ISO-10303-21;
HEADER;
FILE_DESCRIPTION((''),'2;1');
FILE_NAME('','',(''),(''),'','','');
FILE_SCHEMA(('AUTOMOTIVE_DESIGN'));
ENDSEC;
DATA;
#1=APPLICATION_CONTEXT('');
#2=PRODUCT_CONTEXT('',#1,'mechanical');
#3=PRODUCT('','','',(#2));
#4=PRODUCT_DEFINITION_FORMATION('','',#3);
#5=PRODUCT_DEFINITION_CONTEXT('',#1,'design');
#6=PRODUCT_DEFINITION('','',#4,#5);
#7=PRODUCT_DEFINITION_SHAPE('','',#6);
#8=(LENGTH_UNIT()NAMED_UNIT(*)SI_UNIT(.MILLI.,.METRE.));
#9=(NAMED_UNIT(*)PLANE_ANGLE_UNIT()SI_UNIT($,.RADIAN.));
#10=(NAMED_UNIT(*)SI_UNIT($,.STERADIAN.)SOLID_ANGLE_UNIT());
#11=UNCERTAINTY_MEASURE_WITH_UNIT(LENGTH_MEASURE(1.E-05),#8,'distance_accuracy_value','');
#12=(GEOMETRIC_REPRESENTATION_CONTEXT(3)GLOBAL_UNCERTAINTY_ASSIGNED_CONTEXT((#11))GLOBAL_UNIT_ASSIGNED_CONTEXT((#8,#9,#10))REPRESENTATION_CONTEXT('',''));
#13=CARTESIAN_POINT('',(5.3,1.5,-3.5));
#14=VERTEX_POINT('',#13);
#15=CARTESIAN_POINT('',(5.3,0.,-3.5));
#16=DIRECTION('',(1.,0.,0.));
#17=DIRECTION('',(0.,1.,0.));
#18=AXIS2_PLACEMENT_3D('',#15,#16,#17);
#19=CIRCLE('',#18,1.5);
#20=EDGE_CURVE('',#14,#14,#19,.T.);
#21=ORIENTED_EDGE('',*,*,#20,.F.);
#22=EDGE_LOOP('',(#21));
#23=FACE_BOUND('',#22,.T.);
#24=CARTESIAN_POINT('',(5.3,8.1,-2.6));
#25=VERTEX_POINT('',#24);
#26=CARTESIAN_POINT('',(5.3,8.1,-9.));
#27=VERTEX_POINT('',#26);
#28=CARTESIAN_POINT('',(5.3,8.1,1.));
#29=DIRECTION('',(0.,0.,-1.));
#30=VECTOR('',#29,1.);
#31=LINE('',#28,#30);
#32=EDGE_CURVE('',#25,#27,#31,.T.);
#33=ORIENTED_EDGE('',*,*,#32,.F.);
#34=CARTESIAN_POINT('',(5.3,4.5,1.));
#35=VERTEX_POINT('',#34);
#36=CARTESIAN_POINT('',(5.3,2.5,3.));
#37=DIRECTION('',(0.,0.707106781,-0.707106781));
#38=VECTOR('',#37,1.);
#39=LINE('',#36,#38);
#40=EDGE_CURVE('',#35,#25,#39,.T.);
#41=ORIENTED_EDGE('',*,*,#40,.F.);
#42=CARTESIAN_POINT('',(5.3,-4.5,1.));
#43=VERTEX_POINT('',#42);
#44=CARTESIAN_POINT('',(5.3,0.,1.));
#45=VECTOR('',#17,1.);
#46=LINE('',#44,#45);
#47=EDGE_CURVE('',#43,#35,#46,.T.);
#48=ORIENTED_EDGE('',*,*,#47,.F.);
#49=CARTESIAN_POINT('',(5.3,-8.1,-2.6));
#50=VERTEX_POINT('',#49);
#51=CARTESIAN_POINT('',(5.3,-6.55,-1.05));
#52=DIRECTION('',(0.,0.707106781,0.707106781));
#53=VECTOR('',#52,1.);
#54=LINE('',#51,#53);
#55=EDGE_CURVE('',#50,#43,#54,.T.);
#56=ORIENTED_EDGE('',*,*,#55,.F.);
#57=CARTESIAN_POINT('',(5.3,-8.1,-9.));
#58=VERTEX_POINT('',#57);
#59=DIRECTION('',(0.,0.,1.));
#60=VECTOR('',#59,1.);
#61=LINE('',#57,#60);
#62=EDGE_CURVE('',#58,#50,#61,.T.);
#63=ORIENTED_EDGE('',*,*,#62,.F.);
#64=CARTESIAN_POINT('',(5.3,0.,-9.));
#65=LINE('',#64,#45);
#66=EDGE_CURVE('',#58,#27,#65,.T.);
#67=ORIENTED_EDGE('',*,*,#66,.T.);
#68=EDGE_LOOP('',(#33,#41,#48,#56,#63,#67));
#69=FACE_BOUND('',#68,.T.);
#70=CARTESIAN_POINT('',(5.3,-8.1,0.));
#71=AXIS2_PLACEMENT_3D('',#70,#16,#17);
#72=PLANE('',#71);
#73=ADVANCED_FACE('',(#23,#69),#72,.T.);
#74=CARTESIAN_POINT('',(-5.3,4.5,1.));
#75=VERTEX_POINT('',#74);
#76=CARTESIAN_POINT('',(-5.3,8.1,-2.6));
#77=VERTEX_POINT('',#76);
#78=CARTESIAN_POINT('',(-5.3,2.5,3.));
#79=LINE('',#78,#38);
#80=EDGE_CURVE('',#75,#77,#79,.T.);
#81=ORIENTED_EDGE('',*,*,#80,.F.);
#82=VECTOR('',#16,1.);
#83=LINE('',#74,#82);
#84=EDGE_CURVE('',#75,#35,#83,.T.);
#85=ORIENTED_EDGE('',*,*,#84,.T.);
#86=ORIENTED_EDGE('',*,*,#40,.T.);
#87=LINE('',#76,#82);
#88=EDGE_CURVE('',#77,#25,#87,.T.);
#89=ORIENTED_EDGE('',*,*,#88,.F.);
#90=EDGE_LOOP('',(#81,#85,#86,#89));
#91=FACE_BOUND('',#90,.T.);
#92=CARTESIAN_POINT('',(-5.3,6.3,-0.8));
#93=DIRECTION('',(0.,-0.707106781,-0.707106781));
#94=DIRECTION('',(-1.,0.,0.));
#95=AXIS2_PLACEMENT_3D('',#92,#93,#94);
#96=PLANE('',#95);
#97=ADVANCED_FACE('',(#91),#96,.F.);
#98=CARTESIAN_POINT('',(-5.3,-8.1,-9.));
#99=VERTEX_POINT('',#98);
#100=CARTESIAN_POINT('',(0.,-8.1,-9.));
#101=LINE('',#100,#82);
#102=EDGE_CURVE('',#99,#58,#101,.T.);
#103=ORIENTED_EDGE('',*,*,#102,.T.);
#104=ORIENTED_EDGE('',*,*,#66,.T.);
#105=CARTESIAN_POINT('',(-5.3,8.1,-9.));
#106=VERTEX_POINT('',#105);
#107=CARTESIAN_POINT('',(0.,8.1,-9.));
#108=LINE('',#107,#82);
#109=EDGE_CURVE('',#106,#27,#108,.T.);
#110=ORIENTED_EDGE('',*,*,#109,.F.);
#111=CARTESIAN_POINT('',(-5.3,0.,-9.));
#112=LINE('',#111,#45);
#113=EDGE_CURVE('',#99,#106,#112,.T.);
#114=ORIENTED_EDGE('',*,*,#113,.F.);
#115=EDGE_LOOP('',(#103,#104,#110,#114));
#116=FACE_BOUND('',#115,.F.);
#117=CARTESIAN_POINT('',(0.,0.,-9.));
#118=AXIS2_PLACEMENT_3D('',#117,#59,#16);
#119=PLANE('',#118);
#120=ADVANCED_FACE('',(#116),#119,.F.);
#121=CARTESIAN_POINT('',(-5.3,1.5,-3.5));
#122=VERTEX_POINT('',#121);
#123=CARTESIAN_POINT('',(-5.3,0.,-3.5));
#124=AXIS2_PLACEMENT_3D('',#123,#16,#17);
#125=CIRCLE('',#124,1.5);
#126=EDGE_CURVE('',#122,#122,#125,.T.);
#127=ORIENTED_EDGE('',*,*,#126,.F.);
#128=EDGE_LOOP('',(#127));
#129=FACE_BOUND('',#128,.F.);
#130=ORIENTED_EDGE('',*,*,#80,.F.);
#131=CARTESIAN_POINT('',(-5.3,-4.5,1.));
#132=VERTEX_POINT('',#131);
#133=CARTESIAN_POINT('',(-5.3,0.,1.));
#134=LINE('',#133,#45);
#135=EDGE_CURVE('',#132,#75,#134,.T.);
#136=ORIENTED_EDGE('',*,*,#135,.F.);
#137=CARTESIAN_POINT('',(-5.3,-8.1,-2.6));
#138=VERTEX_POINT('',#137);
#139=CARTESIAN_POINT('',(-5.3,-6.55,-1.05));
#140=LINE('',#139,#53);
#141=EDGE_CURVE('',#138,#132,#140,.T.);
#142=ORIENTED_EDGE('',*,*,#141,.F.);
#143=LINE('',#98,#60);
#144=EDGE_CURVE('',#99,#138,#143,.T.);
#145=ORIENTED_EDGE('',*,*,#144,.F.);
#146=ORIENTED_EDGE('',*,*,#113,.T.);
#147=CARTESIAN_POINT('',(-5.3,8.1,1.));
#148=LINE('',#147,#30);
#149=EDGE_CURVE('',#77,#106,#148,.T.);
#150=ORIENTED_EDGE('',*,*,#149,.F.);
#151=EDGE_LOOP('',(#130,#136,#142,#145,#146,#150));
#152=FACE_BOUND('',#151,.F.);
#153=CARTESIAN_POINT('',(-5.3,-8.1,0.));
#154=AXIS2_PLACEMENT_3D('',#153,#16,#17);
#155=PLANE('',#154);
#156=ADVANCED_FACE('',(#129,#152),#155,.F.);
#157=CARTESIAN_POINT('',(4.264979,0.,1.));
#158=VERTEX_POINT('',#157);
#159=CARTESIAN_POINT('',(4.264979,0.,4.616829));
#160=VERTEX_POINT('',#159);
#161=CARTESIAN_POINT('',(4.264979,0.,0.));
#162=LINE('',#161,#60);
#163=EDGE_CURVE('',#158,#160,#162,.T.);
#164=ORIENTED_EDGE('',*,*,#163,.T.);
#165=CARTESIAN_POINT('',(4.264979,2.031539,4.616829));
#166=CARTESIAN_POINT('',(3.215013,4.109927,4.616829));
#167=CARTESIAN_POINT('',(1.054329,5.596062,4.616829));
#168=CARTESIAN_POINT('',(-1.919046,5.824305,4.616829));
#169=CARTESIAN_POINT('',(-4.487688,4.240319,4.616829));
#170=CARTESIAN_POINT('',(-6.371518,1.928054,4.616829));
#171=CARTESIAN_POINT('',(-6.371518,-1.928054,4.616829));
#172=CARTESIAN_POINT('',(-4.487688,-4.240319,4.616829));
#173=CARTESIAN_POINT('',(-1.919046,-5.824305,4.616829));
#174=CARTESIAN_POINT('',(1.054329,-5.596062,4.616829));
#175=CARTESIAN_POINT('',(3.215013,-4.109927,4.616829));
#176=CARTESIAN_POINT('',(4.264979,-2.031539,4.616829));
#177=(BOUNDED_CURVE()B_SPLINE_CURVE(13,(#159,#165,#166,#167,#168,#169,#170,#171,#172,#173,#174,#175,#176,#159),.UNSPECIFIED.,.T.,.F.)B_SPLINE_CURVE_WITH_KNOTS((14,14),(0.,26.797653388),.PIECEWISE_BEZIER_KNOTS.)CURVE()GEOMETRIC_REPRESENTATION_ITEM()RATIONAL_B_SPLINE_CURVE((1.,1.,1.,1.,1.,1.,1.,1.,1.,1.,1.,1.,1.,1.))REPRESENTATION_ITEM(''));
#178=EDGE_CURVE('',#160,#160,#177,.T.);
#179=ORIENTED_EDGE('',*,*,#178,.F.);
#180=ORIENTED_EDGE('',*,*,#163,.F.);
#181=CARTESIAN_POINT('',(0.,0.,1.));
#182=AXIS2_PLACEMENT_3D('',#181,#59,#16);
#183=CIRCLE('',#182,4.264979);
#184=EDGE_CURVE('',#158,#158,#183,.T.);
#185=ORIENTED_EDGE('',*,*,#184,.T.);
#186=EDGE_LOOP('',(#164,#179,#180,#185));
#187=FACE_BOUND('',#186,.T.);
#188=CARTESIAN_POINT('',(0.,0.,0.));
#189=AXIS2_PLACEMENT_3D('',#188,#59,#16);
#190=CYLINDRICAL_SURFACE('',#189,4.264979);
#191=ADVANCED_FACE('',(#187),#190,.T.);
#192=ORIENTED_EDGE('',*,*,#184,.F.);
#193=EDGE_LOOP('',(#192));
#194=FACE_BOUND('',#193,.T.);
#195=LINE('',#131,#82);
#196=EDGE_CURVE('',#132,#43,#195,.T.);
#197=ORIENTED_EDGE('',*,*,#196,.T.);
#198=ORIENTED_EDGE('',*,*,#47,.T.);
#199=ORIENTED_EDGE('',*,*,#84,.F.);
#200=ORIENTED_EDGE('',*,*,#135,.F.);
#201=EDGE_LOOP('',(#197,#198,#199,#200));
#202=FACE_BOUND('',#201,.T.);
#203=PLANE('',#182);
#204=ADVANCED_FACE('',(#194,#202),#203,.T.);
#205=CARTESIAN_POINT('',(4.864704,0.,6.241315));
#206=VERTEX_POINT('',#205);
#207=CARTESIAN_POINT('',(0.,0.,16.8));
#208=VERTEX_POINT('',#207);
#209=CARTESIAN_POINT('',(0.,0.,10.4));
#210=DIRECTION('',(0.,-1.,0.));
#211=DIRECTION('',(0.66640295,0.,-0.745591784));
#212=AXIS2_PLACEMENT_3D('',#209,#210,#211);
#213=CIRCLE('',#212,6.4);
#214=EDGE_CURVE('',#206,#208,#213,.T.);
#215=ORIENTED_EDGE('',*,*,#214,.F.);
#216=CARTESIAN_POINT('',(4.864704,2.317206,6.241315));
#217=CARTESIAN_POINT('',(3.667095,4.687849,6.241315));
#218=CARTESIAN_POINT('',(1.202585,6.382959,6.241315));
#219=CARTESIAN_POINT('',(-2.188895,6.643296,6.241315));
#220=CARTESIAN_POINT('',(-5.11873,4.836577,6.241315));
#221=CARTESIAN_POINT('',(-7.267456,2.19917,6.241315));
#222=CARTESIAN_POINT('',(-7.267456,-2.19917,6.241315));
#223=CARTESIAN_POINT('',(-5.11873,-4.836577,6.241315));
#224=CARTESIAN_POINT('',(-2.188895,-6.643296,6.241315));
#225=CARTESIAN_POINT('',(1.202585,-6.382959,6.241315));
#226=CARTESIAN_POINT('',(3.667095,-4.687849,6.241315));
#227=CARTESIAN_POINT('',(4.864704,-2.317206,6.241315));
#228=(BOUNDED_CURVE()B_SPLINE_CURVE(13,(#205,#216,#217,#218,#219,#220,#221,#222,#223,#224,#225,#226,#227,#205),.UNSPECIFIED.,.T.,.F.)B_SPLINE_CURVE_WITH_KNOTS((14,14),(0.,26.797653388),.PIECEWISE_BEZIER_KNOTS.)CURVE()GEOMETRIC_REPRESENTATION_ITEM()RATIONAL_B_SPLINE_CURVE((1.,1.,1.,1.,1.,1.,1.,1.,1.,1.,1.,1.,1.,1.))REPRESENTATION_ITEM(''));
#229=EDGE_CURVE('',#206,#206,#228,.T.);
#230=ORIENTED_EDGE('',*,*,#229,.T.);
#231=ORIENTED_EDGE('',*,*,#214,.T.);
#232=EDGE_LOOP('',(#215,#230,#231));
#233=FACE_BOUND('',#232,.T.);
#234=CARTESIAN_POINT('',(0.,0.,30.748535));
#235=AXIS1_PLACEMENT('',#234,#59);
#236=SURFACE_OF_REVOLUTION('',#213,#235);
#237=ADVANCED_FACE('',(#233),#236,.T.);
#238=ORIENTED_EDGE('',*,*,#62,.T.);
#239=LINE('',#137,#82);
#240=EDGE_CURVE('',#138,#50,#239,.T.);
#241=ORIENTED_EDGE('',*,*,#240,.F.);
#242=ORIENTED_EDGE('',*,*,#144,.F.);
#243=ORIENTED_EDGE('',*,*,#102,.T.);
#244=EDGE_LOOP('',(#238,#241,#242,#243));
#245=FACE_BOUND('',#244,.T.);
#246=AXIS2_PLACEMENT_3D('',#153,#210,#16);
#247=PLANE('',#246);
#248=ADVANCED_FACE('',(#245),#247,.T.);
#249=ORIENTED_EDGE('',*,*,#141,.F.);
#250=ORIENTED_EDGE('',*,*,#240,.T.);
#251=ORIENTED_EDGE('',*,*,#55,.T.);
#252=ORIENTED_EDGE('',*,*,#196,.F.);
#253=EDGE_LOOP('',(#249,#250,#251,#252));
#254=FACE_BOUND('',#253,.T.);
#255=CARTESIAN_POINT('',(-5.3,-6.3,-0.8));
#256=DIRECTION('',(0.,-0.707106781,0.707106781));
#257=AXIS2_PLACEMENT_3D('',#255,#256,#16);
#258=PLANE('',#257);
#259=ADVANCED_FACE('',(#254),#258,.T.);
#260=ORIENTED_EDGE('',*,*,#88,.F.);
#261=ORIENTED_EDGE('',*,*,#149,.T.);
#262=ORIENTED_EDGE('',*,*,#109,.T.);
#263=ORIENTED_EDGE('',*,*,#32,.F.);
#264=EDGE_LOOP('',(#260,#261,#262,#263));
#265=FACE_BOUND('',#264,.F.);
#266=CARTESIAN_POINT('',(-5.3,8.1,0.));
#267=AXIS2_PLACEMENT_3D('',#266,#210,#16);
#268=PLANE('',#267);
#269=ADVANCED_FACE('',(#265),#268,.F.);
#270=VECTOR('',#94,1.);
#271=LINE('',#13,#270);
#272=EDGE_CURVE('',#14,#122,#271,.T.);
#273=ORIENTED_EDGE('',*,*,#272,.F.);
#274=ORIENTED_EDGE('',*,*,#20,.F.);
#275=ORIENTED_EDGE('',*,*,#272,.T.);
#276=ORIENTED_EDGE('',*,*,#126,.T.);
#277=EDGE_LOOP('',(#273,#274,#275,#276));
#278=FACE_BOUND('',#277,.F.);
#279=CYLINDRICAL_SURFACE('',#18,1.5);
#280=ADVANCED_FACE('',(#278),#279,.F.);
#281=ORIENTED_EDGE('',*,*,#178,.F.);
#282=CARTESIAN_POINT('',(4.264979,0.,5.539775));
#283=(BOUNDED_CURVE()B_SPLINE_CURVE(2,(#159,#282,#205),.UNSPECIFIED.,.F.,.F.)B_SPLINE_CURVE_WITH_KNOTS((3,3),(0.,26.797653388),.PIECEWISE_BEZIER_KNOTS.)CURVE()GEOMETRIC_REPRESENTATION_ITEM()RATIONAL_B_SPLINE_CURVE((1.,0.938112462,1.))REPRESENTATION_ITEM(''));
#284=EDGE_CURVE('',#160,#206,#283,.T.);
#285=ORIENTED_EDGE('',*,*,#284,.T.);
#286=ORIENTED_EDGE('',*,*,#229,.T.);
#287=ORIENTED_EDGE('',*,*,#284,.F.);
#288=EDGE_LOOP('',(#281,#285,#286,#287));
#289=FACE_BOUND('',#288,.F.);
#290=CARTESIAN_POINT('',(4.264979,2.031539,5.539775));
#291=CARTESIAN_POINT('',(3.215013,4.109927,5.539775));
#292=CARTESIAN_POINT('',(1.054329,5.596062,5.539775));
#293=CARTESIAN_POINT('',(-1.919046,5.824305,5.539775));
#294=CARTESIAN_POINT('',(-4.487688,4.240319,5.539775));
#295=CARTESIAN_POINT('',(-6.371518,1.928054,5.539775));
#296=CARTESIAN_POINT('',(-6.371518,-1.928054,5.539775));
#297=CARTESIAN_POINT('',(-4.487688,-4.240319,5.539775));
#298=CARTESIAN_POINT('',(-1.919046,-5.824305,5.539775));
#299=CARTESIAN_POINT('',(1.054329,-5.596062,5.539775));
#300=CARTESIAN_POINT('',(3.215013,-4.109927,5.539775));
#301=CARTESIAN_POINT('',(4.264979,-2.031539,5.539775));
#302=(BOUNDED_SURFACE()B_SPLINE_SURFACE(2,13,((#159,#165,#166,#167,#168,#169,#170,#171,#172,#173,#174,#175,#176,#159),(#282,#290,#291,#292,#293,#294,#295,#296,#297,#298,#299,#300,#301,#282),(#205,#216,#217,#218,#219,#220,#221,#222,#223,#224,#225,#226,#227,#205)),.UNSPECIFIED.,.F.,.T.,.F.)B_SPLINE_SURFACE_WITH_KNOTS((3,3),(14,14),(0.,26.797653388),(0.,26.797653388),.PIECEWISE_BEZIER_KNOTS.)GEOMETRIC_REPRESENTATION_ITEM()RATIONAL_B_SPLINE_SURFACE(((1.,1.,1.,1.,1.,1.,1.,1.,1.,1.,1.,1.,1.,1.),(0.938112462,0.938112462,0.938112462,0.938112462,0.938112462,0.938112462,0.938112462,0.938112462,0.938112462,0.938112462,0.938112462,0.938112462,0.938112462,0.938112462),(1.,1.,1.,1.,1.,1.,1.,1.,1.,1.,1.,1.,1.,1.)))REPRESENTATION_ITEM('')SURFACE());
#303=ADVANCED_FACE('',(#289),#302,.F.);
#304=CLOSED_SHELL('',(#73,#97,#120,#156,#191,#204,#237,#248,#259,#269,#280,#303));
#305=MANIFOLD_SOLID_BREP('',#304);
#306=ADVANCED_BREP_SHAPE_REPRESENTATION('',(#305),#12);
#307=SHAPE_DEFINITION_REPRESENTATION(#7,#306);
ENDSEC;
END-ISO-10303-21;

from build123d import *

# Parameters (mm, degrees)
F2_W          = 10.6
F2_H          = 16.2
F3_DEPTH      = 1
F3_DEPTH_BACK = 9
F4_R          = 1.5
F5_DEPTH      = 10.6
F6_SIZE       = 3.6
F7_R          = 2.5


with BuildPart() as f1:
    # F0 (on Front) → F1 (revolve)
    with BuildSketch(Plane.XZ):
        with BuildLine():
            Line((4.264979, 0), (4.264979, 5.628212))
            ThreePointArc((4.264979, 5.628212), (5.979107, 12.682604), (0, 16.8))
            Line((0, 16.8), (0, 0))
            Line((0, 0), (4.264979, 0))
        make_face()
    revolve(axis=Axis((0, 0, 30.748535), (0, 0, 1)))

    # F2 (on Top) → F3 (join, two sides)
    with BuildSketch(Plane.XY) as f3_sk:
        Rectangle(F2_W, F2_H)
    extrude(amount=F3_DEPTH)
    extrude(f3_sk.sketch, amount=-F3_DEPTH_BACK)

    # F4 (on face) → F5 (cut, through all)
    with BuildSketch(Plane.YZ.offset(5.3)):
        with Locations((0, -3.5)):
            Circle(F4_R)
    extrude(amount=-F5_DEPTH, mode=Mode.SUBTRACT)

    # F6
    f6_edges = [f1.edges().sort_by_distance(p)[0] for p in [
        (0, 8.1, 1),
        (0, -8.1, 1),
    ]]
    chamfer(f6_edges, length=F6_SIZE)

    # F7
    f7_edges = [f1.edges().sort_by_distance(p)[0] for p in [
        (-4.264979, 0, 5.628212),
    ]]
    fillet(f7_edges, radius=F7_R)


solid = f1.part
